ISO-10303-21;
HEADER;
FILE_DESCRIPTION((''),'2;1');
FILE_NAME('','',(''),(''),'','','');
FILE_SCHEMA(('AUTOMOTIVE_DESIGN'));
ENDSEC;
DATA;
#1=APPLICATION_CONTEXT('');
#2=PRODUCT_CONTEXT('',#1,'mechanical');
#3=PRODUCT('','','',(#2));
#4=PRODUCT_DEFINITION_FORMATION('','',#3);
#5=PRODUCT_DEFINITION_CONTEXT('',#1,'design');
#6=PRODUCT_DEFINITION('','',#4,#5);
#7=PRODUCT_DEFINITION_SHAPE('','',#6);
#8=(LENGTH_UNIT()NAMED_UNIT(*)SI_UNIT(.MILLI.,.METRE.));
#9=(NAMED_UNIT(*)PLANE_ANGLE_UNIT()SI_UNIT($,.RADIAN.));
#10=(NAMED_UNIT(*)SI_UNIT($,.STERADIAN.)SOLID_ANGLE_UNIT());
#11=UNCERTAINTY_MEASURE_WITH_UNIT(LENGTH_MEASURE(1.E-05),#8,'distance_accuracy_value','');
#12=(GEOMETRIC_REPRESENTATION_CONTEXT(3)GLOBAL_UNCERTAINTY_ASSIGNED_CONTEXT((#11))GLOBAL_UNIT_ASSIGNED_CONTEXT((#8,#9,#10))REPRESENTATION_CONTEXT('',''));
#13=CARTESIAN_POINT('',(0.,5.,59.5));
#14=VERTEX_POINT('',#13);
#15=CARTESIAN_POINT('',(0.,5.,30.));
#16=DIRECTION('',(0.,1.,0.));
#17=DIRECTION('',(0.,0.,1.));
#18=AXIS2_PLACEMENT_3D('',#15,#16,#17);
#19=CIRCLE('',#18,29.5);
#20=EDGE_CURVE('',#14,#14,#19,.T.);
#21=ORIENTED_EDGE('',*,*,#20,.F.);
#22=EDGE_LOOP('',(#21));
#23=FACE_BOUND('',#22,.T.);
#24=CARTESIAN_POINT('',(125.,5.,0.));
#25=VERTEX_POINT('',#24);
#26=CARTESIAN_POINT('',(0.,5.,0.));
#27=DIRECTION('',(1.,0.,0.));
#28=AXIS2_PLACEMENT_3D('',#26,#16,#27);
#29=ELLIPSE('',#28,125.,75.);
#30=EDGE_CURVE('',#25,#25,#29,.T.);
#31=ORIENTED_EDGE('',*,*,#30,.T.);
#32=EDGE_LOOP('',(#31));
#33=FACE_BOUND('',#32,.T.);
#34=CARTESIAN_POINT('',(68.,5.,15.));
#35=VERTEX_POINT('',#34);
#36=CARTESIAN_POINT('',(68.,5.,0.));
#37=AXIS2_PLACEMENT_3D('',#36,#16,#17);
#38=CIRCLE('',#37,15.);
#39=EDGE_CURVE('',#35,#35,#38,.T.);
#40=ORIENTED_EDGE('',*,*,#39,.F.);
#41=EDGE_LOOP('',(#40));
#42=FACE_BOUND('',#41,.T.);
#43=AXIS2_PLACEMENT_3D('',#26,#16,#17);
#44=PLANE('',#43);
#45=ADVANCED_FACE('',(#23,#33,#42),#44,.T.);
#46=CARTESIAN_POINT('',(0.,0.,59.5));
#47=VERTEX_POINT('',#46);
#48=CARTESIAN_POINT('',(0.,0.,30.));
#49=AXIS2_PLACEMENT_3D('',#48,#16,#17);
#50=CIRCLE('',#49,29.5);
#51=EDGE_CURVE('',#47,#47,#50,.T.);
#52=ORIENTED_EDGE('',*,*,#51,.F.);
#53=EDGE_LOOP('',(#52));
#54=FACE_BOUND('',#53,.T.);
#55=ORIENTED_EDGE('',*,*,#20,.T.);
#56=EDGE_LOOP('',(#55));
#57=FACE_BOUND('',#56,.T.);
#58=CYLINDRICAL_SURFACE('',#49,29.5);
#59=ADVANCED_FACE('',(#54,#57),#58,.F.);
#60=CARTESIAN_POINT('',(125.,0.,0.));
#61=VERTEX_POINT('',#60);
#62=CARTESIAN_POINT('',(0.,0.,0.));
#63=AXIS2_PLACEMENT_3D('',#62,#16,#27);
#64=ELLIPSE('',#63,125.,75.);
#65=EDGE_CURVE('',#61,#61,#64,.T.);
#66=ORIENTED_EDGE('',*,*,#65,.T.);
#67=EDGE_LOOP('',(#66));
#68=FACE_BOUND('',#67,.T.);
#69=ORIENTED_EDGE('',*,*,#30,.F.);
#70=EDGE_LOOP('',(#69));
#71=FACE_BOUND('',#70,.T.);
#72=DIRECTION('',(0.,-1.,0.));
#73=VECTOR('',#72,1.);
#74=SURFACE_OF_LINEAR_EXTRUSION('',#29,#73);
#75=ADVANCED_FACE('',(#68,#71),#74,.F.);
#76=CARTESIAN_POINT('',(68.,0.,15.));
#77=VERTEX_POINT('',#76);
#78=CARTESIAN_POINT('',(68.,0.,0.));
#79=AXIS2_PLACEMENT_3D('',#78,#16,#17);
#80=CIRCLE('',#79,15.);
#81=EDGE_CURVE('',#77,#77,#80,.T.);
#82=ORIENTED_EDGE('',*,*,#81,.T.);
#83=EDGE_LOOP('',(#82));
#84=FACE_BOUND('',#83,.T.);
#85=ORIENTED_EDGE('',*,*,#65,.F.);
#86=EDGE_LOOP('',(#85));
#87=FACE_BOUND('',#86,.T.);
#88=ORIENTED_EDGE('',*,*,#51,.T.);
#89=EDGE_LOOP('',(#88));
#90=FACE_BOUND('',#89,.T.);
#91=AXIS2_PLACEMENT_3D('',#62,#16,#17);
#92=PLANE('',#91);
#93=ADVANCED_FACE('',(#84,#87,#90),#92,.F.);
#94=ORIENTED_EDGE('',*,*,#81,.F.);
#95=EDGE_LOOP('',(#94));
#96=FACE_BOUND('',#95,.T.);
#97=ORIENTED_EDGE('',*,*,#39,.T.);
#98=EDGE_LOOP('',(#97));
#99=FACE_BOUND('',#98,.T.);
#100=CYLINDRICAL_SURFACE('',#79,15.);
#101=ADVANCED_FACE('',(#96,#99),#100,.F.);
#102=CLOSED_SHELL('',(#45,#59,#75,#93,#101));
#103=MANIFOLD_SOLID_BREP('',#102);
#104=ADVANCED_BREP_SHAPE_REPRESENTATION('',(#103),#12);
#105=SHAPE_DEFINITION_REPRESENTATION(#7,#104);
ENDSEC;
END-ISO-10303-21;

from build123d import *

# Parameters (mm, degrees)
SKETCH1_RX          = 125
SKETCH1_RY          = 75
BOSS_EXTRUDE1_DEPTH = 5
SKETCH2_R           = 29.5
SKETCH2_R_2         = 15
CUT_EXTRUDE1_DEPTH  = 5


with BuildPart() as part:
    # Sketch1 → Boss-Extrude1 (new body)
    with BuildSketch(Plane(origin=(0, 0, 0), x_dir=(1, 0, 0), z_dir=(0, 1, 0))):
        with Locations(Location((0, 0), (0, 0, 0))):
            Ellipse(SKETCH1_RX, SKETCH1_RY)
    extrude(amount=BOSS_EXTRUDE1_DEPTH)

    # Sketch2 → Cut-Extrude1 (cut)
    with BuildSketch(Plane(origin=(0, 5, 0), x_dir=(1, 0, 0), z_dir=(0, 1, 0))):
        with Locations((0, -30)):
            Circle(SKETCH2_R)
        with Locations((68, 0)):
            Circle(SKETCH2_R_2)
    extrude(amount=-CUT_EXTRUDE1_DEPTH, mode=Mode.SUBTRACT)


solid = part.part
